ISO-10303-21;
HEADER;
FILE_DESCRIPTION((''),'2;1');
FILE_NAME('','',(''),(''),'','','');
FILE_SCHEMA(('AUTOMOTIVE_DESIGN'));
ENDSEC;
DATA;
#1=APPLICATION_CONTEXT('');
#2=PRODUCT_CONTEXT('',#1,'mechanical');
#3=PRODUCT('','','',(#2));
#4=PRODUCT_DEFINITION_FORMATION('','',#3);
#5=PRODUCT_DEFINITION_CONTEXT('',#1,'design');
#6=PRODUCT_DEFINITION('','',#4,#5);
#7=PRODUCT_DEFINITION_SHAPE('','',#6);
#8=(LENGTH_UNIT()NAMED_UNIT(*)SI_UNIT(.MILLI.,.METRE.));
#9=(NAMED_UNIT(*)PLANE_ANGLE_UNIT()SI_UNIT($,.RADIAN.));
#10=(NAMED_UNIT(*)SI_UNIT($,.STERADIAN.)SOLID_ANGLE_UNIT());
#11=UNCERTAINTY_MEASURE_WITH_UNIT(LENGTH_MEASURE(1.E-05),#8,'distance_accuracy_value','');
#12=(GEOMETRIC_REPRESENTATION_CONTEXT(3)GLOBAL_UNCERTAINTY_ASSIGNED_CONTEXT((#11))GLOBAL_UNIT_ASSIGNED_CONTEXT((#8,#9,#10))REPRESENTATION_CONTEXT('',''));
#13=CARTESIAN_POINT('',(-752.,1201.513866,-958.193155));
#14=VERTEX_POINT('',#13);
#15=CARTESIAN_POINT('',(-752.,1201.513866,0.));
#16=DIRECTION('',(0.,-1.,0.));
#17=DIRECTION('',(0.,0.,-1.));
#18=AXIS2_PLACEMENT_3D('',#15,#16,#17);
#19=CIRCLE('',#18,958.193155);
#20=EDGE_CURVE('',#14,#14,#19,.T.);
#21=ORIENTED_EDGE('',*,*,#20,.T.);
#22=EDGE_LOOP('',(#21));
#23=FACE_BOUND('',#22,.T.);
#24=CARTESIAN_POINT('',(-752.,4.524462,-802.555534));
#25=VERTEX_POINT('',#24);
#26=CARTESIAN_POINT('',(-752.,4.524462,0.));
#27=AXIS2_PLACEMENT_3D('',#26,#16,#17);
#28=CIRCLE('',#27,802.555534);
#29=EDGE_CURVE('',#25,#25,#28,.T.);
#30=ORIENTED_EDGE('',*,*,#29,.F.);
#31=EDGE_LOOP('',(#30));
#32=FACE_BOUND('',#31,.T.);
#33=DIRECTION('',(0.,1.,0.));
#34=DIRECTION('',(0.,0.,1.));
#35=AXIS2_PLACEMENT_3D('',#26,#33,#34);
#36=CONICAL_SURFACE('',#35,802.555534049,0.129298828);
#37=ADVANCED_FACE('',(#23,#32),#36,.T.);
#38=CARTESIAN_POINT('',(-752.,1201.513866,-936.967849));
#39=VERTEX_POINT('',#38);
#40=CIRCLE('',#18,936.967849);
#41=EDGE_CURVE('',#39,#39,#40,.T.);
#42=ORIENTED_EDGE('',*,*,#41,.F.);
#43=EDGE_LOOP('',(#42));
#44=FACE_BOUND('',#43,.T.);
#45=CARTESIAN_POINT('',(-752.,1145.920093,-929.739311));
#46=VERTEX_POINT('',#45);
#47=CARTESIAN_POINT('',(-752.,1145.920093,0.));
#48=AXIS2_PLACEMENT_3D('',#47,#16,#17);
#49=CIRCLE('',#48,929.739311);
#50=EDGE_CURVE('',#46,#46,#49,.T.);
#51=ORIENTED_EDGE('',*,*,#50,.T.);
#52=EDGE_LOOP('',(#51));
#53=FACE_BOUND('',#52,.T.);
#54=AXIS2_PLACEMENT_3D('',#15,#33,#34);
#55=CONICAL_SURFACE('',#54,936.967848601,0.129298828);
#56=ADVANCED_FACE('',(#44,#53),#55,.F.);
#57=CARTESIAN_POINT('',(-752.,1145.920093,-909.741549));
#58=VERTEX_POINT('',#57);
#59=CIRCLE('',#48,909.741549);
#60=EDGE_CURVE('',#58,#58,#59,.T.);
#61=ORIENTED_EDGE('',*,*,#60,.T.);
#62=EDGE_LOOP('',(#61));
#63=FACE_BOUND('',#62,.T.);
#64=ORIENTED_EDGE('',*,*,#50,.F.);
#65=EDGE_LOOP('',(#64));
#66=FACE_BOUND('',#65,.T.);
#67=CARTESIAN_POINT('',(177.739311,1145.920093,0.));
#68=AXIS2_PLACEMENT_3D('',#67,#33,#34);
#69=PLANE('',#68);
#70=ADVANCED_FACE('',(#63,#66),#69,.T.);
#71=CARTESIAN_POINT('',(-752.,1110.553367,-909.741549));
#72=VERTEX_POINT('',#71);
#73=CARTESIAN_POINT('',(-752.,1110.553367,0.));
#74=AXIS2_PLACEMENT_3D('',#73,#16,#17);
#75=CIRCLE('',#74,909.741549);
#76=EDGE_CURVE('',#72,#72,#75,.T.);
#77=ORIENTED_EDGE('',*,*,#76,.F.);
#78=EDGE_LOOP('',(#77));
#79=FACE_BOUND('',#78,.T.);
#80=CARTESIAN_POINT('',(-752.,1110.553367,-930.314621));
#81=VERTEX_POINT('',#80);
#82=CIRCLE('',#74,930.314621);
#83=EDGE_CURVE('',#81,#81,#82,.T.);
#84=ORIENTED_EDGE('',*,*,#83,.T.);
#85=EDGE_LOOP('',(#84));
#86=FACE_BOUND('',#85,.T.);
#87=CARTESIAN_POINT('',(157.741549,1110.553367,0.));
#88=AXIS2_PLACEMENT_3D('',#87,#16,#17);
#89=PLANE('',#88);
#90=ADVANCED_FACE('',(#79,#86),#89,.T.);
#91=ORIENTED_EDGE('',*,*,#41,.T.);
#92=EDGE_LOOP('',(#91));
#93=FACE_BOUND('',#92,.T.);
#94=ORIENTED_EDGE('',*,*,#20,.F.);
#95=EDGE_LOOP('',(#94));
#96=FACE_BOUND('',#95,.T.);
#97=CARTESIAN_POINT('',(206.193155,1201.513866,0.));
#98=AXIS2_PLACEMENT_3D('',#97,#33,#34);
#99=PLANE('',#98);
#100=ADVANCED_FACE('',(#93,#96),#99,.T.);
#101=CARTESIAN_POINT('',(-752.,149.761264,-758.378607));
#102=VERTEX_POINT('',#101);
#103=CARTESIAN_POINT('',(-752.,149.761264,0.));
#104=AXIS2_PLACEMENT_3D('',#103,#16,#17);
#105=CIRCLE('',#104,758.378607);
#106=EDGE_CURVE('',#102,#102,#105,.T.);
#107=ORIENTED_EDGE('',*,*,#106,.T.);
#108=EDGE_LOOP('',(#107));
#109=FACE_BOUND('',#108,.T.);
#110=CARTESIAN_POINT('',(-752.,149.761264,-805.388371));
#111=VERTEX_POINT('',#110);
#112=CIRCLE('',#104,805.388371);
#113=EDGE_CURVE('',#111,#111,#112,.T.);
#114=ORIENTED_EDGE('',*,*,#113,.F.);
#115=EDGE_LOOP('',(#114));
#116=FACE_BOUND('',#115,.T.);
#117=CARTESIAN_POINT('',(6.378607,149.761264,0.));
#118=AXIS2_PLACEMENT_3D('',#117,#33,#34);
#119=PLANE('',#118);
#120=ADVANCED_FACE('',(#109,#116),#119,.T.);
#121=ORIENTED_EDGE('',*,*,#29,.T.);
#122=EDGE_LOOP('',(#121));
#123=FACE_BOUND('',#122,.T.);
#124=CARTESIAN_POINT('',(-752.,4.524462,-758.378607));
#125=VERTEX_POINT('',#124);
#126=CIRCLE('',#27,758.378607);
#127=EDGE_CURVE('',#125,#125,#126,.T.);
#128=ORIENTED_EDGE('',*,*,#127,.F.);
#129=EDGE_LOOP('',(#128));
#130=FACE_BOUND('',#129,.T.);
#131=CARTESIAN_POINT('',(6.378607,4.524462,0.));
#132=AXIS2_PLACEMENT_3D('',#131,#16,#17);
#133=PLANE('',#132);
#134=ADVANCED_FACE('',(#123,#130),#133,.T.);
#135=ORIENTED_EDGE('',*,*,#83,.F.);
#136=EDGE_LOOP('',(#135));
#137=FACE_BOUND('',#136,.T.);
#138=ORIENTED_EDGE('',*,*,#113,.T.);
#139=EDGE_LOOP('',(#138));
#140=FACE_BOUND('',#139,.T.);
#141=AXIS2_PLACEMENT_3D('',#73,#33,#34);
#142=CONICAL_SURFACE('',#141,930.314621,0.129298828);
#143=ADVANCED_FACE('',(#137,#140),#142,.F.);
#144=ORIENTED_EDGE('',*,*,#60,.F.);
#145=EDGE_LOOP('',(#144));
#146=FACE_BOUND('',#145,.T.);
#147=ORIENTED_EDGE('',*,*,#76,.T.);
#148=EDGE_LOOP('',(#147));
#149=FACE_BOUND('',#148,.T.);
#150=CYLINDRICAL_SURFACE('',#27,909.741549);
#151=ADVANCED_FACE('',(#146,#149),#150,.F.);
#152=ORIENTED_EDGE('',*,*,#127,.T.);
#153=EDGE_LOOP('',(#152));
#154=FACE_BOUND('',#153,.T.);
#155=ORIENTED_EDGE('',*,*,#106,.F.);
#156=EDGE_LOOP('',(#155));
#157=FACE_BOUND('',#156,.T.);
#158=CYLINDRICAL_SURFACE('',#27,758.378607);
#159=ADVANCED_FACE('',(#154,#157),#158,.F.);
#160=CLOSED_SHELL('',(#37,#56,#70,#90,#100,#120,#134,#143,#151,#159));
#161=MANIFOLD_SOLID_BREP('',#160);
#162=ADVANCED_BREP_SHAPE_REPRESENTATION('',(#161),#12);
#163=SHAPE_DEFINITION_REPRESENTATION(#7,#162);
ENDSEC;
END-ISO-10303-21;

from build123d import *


with BuildPart() as part:
    # 草图1 → 旋转1 (revolve)
    with BuildSketch(Plane.XY):
        Polygon((6.378607461, 4.52446175), (50.555534049, 4.52446175), (206.193155346, 1201.513865742), (184.967848601, 1201.513865742), (177.739311305, 1145.920092987), (157.741549268, 1145.920092987), (157.741549268, 1110.553367049), (178.314621, 1110.553367049), (53.388370999, 149.761263662), (6.378607461, 149.761263662), align=None)
    revolve(axis=Axis((-752, 4.52446175, 0), (0, 1, 0)))


solid = part.part
